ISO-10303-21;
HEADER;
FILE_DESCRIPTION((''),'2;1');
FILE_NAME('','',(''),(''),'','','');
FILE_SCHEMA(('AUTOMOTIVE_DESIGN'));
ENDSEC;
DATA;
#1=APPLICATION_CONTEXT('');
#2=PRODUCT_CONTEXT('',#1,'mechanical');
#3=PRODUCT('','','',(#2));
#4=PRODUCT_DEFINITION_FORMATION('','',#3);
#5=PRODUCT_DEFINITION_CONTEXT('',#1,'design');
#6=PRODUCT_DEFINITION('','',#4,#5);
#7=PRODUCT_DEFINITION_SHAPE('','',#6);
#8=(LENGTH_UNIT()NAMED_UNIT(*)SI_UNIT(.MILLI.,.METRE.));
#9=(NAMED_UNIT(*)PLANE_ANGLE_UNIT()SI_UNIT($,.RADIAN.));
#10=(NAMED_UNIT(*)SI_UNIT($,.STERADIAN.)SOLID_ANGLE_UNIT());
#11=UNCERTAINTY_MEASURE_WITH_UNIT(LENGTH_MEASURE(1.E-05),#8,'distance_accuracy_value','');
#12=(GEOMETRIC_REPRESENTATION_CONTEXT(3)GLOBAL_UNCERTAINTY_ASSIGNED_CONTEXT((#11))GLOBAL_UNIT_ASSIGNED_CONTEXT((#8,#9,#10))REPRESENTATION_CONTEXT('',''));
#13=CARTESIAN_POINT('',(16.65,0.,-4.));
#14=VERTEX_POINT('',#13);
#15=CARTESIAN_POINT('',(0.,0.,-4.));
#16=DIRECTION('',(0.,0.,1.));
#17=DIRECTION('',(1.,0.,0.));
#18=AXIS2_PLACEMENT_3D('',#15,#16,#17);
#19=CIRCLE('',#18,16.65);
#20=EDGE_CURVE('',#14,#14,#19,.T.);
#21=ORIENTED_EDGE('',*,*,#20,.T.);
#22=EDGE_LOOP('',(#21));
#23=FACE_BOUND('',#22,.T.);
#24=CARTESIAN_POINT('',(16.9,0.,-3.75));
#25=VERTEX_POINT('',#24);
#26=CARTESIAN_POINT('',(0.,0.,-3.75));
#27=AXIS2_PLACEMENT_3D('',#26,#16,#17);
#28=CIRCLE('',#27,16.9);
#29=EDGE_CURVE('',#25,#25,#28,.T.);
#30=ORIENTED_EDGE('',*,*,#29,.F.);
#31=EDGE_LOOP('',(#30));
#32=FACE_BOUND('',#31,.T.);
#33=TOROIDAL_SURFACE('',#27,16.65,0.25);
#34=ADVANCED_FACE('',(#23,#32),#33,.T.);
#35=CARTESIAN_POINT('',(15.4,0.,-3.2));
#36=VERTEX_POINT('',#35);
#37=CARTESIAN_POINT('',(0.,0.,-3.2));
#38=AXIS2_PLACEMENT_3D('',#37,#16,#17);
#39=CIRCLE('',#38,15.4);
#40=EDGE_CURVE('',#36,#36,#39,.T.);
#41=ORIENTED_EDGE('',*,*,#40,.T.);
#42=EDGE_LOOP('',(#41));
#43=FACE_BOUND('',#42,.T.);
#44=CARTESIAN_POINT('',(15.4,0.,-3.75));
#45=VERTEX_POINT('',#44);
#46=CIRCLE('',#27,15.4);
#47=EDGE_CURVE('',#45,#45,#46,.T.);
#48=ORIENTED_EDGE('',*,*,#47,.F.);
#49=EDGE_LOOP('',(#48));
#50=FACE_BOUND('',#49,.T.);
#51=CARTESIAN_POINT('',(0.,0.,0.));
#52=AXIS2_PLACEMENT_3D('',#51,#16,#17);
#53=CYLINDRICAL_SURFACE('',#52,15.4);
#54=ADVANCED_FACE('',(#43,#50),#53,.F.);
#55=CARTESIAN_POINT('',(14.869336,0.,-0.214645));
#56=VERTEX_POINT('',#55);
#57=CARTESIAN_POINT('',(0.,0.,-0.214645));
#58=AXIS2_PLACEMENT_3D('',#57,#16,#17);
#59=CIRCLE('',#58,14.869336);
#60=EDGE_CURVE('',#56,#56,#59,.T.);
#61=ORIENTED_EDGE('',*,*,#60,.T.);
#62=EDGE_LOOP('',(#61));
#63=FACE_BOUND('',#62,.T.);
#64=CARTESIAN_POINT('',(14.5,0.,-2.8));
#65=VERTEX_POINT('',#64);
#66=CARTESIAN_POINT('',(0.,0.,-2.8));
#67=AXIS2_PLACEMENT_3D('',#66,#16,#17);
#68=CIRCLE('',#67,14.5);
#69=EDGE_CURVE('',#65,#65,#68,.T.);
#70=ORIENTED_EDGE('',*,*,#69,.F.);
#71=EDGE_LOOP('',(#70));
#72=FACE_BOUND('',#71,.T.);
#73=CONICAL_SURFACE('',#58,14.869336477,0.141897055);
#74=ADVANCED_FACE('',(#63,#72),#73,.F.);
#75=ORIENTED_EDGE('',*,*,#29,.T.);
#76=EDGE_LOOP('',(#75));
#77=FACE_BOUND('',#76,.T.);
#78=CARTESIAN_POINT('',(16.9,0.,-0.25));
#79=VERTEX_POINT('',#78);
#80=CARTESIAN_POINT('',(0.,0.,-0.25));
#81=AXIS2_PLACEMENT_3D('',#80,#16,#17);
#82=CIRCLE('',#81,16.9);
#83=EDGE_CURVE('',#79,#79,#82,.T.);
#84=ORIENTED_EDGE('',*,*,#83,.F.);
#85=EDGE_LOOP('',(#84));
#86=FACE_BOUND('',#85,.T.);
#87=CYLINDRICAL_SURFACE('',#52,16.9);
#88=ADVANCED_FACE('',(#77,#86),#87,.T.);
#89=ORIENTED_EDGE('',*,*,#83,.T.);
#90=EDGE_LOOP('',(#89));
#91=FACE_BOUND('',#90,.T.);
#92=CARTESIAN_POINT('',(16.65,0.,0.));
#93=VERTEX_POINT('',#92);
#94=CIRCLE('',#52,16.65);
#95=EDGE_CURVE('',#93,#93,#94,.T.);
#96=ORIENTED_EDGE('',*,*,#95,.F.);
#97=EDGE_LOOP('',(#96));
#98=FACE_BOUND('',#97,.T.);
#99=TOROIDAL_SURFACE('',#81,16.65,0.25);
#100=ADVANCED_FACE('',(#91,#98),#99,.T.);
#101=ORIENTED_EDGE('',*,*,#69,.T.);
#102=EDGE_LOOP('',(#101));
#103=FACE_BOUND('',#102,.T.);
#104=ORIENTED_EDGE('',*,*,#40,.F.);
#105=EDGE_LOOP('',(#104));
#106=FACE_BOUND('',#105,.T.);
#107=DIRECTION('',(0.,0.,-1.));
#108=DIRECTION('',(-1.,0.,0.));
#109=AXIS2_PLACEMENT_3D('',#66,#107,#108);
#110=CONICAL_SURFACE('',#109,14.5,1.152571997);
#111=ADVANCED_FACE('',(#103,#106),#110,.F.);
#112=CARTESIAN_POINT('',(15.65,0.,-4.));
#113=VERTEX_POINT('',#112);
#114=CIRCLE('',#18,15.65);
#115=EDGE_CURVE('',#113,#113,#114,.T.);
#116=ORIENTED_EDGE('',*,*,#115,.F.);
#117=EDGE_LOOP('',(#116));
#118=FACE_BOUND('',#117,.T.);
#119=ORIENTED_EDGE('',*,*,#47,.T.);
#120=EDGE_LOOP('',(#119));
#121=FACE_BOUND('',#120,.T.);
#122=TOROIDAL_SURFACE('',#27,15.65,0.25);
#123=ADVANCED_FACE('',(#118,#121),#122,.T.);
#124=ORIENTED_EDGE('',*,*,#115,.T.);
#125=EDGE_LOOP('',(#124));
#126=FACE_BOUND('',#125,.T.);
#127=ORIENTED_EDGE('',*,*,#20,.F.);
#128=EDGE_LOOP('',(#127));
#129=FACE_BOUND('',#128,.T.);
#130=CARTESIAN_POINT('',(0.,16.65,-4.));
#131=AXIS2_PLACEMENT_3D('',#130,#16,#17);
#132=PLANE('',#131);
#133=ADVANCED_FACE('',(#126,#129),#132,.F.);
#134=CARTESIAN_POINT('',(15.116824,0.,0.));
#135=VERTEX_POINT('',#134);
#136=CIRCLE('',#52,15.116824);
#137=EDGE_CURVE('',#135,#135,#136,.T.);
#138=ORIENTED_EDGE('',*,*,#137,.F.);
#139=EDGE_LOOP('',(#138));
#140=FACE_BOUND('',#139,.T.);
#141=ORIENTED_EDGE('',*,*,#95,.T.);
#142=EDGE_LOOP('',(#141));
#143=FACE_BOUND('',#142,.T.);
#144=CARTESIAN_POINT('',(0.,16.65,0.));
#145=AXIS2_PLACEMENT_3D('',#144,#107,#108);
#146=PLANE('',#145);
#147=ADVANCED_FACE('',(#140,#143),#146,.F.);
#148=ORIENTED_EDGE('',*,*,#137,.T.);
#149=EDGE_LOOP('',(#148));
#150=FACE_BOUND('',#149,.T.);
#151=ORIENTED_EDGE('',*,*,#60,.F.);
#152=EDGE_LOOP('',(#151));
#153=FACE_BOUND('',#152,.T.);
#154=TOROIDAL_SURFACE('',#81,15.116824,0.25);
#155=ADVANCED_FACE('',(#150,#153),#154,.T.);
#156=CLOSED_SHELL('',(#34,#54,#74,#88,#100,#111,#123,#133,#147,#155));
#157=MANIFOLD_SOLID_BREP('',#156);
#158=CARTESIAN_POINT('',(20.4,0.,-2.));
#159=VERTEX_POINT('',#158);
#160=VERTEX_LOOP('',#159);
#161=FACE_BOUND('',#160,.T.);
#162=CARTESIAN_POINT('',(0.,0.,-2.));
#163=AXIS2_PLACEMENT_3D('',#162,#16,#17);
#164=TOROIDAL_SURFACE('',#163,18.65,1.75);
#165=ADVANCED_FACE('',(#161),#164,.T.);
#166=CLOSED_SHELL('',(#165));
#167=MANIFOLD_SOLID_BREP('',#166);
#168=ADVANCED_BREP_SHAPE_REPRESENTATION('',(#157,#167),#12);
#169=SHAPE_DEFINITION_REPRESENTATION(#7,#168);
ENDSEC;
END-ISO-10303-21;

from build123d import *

# Parameters (mm, degrees)
SKETCH2_R = 1.75


with BuildPart() as part:
    # Sketch1 → Revolve1 (revolve)
    with BuildSketch(Plane(origin=(0, 0, 0), x_dir=(0, 0, -1), z_dir=(1, 0, 0)), mode=Mode.PRIVATE) as revolve1_sk:
        with BuildLine():
            Line((0.25, 16.9), (3.75, 16.9))
            ThreePointArc((3.75, 16.9), (3.926776695, 16.826776695), (4, 16.65))
            Line((4, 16.65), (4, 15.65))
            ThreePointArc((4, 15.65), (3.926776695, 15.473223305), (3.75, 15.4))
            Line((3.75, 15.4), (3.2, 15.4))
            Line((3.2, 15.4), (2.8, 14.5))
            Line((2.8, 14.5), (0.214644661, 14.869336477))
            ThreePointArc((0.214644661, 14.869336477), (0.061136511, 14.953023415), (0, 15.11682385))
            Line((0, 15.11682385), (0, 16.65))
            ThreePointArc((0, 16.65), (0.073223305, 16.826776695), (0.25, 16.9))
        make_face()
    revolve(revolve1_sk.sketch.rotate(Axis((0, 0, 0), (0, 0, -1)), 90), axis=Axis((0, 0, 0), (0, 0, -1)))


with BuildPart() as body_2:
    # Sketch2 → Revolve2 (revolve)
    with BuildSketch(Plane(origin=(0, 0, 0), x_dir=(0, 0, -1), z_dir=(1, 0, 0)), mode=Mode.PRIVATE) as revolve2_sk:
        with Locations((2, 18.65)):
            Circle(SKETCH2_R)
    revolve(revolve2_sk.sketch.rotate(Axis((0, 0, 0), (0, 0, -1)), 270), axis=Axis((0, 0, 0), (0, 0, -1)))


solid = Compound([part.part, body_2.part])
